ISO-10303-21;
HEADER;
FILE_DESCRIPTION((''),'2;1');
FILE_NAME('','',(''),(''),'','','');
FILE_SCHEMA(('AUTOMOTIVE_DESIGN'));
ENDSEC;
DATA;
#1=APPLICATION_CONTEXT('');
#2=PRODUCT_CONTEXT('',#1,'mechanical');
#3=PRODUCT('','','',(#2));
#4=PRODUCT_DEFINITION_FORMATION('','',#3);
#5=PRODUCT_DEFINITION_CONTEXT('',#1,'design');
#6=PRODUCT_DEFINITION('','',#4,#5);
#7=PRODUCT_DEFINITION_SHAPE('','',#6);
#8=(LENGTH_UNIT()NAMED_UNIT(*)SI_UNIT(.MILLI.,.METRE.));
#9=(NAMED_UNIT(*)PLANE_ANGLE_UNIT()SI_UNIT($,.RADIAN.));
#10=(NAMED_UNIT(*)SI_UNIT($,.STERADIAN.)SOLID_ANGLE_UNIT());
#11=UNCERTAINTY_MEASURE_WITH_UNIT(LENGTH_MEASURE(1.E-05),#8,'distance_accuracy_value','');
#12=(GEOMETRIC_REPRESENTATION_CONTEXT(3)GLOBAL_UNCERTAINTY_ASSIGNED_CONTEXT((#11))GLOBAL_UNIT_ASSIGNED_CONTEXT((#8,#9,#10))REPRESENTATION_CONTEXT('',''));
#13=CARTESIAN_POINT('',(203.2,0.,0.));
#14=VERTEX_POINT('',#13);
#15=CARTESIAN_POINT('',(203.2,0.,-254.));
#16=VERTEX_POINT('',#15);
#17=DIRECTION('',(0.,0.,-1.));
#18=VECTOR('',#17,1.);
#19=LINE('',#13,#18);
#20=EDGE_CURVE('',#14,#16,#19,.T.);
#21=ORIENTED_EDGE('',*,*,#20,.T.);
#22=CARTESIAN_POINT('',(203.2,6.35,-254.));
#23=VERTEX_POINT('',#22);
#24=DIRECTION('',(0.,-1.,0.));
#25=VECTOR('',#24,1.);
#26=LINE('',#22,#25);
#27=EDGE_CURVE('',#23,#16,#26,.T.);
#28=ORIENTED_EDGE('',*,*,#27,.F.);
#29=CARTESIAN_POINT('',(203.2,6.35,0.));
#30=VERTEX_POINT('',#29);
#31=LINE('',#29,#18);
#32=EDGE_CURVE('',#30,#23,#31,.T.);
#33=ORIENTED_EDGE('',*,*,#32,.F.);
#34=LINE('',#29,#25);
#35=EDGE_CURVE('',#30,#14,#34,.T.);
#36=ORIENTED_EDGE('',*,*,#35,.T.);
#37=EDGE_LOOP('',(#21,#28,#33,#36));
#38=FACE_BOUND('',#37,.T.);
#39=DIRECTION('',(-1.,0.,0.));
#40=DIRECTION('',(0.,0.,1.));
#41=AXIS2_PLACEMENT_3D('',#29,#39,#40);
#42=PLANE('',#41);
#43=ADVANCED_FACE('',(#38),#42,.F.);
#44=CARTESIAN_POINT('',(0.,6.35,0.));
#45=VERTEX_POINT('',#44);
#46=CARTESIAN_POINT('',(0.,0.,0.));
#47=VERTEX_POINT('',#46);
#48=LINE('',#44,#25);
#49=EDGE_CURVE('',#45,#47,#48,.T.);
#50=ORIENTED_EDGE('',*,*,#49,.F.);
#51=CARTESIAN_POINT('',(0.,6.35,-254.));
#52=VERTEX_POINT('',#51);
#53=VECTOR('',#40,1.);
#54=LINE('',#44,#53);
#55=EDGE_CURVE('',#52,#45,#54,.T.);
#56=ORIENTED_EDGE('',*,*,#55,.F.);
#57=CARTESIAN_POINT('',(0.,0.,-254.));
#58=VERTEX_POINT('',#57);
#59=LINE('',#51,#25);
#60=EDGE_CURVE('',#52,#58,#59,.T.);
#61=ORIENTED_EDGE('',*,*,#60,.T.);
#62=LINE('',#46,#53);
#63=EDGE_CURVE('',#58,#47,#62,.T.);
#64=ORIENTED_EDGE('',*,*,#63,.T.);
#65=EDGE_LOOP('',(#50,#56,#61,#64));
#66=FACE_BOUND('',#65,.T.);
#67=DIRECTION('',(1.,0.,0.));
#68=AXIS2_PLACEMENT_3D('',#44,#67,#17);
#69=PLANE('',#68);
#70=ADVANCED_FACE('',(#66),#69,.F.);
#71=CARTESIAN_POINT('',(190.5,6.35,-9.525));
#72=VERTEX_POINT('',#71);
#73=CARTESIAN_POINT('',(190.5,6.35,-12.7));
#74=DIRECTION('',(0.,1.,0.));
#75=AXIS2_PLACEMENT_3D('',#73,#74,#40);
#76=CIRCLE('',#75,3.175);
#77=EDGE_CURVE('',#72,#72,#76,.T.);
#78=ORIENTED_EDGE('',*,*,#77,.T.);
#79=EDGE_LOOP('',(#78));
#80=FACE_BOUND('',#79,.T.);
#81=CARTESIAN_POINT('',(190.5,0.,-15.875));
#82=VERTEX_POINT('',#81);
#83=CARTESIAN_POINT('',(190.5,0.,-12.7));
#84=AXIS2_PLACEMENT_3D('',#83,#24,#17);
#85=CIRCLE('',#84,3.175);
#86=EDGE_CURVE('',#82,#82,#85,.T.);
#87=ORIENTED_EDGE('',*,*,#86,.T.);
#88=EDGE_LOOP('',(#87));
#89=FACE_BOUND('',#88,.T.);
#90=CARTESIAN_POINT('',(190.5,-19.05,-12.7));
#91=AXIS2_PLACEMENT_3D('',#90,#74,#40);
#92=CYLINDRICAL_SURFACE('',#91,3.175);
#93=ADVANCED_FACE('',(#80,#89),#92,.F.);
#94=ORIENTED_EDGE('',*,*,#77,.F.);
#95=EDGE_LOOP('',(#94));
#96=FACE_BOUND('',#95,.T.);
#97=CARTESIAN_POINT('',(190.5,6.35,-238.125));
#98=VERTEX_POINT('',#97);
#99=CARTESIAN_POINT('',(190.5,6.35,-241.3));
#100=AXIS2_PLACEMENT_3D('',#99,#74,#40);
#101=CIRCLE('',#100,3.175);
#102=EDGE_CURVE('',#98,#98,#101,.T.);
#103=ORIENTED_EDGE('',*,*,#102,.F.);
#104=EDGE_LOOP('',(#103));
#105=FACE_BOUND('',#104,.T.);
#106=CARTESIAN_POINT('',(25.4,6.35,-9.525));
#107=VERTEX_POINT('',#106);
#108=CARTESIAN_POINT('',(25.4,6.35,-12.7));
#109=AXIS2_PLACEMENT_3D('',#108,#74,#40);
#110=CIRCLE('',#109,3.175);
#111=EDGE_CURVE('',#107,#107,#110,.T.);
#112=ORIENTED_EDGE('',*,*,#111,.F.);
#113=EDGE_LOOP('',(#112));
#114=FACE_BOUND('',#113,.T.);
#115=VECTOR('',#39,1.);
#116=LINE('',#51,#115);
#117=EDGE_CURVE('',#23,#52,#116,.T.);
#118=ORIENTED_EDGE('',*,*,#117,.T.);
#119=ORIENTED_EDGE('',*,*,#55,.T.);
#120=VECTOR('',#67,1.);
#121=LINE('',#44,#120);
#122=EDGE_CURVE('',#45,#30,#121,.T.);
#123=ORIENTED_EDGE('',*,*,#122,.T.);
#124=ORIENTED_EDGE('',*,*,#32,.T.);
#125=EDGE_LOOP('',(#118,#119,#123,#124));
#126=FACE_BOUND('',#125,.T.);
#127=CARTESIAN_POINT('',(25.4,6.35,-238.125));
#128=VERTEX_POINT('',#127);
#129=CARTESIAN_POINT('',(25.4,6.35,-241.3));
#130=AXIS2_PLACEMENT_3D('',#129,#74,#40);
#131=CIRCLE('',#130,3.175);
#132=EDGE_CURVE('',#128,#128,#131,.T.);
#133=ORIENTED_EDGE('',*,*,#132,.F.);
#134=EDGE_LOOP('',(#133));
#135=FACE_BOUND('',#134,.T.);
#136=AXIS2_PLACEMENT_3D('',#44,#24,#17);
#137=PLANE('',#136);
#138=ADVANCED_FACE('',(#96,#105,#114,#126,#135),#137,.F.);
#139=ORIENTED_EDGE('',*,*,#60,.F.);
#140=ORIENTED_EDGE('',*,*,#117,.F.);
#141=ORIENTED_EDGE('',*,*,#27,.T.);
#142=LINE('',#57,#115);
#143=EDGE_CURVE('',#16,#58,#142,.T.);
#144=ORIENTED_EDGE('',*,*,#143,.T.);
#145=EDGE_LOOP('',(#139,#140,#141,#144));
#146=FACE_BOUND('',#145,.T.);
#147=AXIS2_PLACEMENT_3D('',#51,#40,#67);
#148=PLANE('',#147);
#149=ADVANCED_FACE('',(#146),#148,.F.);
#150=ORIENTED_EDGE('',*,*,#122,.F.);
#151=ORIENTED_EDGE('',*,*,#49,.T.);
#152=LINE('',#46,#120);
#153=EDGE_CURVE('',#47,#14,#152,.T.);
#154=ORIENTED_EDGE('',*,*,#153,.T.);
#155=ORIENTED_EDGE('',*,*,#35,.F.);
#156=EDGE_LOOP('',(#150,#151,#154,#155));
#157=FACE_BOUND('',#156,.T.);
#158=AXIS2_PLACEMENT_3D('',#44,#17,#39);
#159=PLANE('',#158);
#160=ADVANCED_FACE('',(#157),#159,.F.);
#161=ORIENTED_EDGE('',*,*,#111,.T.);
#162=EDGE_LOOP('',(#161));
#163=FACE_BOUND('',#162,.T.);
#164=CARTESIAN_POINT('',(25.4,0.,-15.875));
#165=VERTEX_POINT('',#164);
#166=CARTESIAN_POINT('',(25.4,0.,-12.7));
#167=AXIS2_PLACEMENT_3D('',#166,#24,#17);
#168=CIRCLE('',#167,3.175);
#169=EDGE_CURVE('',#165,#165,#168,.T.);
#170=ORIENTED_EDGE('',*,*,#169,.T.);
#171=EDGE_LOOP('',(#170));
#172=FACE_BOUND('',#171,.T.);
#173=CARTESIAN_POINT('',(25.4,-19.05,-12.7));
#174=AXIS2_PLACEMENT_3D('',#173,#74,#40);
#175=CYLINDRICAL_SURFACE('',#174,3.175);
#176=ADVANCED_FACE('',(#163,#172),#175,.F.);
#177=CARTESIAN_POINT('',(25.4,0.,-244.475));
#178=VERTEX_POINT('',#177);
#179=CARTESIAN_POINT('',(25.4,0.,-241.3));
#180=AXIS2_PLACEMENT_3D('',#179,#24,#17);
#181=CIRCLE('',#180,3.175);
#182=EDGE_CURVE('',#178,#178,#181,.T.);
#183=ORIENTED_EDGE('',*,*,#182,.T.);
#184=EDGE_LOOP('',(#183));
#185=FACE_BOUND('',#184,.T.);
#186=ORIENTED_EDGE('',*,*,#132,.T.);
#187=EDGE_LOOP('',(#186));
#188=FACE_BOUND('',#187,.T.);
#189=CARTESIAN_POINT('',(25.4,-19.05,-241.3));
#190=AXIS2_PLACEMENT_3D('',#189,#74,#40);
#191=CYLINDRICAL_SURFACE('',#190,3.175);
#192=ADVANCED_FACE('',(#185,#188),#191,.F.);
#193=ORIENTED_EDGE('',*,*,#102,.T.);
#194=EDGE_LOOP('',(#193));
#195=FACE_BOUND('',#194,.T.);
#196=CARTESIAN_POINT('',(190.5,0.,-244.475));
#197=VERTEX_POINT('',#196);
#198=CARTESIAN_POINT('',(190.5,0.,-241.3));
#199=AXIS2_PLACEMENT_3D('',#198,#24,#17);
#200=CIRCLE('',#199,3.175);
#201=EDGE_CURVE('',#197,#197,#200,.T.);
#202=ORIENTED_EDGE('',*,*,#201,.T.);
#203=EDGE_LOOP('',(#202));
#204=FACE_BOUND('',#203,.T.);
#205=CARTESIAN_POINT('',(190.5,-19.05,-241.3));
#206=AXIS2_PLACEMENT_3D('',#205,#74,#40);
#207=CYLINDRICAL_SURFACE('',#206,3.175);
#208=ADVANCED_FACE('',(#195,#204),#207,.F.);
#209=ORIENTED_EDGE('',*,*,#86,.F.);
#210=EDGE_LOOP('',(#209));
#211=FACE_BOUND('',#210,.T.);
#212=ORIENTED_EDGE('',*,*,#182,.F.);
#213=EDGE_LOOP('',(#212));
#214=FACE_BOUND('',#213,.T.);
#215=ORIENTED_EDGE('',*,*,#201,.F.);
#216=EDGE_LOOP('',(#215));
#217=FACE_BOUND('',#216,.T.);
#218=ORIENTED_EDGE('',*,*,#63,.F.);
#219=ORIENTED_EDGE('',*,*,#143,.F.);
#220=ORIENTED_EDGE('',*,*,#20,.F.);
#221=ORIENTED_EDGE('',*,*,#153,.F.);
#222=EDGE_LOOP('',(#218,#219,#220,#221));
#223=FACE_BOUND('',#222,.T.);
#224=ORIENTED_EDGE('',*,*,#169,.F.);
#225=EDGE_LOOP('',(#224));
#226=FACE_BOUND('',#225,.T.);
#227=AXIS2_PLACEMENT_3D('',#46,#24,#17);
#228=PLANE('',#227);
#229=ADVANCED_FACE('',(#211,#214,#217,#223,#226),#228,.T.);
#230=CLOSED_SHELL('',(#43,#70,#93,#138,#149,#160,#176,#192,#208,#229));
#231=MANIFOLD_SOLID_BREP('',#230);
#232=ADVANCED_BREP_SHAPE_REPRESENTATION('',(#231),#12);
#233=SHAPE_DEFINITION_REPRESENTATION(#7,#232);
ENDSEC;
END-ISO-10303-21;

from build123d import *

# Parameters (mm, degrees)
SKETCH1_W           = 203.2
SKETCH1_H           = 254
BOSS_EXTRUDE1_DEPTH = 6.35
SKETCH2_R           = 3.175
CUT_EXTRUDE1_DEPTH  = 25.4


with BuildPart() as part:
    # Sketch1 → Boss-Extrude1 (new body)
    with BuildSketch(Plane(origin=(0, 0, 0), x_dir=(1, 0, 0), z_dir=(0, 1, 0))):
        with Locations((101.6, 127)):
            Rectangle(SKETCH1_W, SKETCH1_H)
    extrude(amount=BOSS_EXTRUDE1_DEPTH)

    # Sketch2 → Cut-Extrude1 (cut)
    with BuildSketch(Plane(origin=(0, 6.35, 0), x_dir=(1, 0, 0), z_dir=(0, 1, 0))):
        with Locations((25.4, 241.3)):
            Circle(SKETCH2_R)
        with Locations((25.4, 12.7)):
            Circle(SKETCH2_R)
        with Locations((190.5, 12.7)):
            Circle(SKETCH2_R)
        with Locations((190.5, 241.3)):
            Circle(SKETCH2_R)
    extrude(amount=-CUT_EXTRUDE1_DEPTH, mode=Mode.SUBTRACT)


solid = part.part
